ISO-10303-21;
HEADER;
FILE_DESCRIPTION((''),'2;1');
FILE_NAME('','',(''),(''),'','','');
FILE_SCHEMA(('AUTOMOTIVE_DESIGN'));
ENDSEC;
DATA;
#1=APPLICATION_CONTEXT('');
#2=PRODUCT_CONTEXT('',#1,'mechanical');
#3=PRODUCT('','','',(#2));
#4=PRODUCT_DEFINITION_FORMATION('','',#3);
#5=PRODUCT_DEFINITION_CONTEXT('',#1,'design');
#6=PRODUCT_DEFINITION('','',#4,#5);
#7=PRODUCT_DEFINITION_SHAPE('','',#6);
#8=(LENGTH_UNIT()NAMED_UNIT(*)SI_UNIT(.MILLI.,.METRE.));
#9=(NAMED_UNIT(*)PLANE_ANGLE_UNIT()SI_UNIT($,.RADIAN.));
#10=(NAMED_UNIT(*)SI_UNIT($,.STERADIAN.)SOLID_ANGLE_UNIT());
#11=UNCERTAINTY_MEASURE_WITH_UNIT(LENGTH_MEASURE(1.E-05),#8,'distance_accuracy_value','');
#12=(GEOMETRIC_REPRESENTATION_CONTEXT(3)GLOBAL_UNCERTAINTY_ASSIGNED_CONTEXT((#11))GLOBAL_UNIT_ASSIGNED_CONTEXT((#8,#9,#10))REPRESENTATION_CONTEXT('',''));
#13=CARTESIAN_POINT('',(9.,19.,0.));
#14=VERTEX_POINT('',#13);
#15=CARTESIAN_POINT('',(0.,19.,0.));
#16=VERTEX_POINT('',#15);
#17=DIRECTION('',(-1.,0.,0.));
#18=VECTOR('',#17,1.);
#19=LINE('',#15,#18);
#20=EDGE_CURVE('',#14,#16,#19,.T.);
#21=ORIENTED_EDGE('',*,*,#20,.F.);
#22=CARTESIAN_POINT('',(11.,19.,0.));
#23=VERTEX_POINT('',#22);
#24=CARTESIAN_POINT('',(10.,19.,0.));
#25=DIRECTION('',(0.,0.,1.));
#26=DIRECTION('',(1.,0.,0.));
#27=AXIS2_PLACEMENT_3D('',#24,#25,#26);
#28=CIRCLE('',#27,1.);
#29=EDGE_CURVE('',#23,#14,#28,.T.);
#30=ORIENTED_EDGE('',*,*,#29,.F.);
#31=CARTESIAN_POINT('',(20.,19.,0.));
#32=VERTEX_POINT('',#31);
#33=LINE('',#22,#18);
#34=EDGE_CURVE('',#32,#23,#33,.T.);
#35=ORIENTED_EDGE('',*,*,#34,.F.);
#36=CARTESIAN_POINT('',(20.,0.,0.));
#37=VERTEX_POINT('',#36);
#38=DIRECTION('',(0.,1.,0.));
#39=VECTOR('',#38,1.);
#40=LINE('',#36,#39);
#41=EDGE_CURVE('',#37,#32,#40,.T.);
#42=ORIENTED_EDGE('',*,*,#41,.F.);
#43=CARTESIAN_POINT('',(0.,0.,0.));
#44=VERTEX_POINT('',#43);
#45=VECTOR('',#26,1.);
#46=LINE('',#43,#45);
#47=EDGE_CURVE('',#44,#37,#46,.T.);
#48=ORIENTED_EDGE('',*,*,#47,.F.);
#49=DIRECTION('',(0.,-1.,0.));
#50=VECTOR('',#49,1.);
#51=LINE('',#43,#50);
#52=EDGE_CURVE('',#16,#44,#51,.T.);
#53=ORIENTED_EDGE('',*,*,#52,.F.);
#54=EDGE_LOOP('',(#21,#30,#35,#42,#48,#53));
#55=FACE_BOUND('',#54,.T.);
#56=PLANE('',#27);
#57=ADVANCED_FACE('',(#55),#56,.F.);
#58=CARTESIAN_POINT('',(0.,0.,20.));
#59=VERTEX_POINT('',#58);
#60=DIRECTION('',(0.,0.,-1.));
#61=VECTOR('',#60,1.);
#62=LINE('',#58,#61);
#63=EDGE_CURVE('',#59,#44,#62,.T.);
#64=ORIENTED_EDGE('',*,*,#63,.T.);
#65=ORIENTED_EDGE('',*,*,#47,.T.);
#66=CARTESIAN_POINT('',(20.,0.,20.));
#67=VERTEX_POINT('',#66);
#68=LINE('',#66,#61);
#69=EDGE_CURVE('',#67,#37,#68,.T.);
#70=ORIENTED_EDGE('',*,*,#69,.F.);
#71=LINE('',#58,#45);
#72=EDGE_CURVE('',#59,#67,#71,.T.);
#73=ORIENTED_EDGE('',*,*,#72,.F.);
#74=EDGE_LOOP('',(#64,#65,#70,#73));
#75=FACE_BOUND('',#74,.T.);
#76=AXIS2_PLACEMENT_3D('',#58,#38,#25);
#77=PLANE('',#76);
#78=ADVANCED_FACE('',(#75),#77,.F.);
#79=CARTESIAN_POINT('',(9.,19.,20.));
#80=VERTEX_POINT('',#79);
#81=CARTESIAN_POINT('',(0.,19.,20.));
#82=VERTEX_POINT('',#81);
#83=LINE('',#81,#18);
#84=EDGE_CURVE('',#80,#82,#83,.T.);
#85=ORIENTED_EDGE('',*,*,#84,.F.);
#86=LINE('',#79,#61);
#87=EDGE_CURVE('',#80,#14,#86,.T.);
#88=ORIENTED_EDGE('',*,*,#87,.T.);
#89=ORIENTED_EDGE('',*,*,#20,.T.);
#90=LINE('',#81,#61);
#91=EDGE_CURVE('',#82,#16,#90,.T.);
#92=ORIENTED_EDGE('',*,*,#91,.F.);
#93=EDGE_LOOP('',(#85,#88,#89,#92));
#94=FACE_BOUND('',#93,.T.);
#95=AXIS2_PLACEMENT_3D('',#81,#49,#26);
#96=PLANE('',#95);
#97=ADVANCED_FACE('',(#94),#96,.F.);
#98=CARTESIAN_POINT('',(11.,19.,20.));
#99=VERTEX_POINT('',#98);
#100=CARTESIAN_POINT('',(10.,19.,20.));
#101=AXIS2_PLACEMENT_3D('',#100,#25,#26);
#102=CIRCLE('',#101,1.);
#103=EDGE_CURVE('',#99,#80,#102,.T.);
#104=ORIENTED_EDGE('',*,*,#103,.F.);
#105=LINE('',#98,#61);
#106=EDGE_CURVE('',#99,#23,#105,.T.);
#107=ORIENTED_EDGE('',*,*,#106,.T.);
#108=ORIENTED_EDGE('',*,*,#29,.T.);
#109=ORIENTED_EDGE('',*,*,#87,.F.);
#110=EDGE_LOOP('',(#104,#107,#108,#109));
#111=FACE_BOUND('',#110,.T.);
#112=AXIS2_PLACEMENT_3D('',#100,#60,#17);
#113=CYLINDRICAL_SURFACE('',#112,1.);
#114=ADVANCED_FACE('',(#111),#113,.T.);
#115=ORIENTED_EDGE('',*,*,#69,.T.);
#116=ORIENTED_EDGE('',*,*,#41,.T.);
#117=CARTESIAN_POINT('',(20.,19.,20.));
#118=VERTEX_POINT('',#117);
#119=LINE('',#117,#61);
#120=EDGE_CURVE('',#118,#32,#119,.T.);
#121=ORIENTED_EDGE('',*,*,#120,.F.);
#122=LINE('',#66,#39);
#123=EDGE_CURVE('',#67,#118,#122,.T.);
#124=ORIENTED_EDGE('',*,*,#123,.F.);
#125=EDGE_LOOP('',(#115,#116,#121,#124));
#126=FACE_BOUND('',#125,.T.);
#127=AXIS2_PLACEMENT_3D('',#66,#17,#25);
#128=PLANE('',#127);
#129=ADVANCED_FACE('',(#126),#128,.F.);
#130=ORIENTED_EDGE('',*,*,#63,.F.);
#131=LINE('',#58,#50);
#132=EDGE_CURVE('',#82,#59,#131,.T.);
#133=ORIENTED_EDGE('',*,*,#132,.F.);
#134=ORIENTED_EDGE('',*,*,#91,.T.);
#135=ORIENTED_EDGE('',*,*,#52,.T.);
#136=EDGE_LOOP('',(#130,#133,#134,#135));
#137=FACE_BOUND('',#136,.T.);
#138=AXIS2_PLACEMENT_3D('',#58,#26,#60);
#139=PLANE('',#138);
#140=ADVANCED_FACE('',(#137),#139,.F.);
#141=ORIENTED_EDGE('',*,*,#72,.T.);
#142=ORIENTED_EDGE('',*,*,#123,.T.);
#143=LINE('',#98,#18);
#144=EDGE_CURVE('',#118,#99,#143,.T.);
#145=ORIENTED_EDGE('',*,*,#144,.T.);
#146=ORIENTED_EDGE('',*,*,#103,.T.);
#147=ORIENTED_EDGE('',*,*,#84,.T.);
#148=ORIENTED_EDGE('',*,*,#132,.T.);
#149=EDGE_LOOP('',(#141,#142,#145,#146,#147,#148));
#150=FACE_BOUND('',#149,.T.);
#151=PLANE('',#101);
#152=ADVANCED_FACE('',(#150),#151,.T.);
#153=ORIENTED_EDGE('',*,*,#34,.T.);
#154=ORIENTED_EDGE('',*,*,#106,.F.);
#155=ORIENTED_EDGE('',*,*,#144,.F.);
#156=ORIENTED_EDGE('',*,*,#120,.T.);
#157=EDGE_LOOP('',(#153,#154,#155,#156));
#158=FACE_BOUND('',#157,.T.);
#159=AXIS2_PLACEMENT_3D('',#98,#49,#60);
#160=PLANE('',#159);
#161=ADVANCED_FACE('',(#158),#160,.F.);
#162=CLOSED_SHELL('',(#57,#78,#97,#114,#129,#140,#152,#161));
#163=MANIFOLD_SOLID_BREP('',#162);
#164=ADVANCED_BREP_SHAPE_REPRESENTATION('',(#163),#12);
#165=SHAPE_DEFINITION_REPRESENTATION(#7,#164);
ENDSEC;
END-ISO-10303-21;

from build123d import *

# Parameters (mm, degrees)
BOSS_EXTRUDE1_DEPTH = 20


with BuildPart() as part:
    # Sketch1 → Boss-Extrude1 (new body)
    with BuildSketch(Plane.XY):
        with BuildLine():
            Line((11, 19), (20, 19))
            Line((20, 19), (20, 0))
            Line((20, 0), (0, 0))
            Line((0, 0), (0, 19))
            Line((0, 19), (9, 19))
            ThreePointArc((9, 19), (10, 20), (11, 19))
        make_face()
    extrude(amount=BOSS_EXTRUDE1_DEPTH)


solid = part.part
